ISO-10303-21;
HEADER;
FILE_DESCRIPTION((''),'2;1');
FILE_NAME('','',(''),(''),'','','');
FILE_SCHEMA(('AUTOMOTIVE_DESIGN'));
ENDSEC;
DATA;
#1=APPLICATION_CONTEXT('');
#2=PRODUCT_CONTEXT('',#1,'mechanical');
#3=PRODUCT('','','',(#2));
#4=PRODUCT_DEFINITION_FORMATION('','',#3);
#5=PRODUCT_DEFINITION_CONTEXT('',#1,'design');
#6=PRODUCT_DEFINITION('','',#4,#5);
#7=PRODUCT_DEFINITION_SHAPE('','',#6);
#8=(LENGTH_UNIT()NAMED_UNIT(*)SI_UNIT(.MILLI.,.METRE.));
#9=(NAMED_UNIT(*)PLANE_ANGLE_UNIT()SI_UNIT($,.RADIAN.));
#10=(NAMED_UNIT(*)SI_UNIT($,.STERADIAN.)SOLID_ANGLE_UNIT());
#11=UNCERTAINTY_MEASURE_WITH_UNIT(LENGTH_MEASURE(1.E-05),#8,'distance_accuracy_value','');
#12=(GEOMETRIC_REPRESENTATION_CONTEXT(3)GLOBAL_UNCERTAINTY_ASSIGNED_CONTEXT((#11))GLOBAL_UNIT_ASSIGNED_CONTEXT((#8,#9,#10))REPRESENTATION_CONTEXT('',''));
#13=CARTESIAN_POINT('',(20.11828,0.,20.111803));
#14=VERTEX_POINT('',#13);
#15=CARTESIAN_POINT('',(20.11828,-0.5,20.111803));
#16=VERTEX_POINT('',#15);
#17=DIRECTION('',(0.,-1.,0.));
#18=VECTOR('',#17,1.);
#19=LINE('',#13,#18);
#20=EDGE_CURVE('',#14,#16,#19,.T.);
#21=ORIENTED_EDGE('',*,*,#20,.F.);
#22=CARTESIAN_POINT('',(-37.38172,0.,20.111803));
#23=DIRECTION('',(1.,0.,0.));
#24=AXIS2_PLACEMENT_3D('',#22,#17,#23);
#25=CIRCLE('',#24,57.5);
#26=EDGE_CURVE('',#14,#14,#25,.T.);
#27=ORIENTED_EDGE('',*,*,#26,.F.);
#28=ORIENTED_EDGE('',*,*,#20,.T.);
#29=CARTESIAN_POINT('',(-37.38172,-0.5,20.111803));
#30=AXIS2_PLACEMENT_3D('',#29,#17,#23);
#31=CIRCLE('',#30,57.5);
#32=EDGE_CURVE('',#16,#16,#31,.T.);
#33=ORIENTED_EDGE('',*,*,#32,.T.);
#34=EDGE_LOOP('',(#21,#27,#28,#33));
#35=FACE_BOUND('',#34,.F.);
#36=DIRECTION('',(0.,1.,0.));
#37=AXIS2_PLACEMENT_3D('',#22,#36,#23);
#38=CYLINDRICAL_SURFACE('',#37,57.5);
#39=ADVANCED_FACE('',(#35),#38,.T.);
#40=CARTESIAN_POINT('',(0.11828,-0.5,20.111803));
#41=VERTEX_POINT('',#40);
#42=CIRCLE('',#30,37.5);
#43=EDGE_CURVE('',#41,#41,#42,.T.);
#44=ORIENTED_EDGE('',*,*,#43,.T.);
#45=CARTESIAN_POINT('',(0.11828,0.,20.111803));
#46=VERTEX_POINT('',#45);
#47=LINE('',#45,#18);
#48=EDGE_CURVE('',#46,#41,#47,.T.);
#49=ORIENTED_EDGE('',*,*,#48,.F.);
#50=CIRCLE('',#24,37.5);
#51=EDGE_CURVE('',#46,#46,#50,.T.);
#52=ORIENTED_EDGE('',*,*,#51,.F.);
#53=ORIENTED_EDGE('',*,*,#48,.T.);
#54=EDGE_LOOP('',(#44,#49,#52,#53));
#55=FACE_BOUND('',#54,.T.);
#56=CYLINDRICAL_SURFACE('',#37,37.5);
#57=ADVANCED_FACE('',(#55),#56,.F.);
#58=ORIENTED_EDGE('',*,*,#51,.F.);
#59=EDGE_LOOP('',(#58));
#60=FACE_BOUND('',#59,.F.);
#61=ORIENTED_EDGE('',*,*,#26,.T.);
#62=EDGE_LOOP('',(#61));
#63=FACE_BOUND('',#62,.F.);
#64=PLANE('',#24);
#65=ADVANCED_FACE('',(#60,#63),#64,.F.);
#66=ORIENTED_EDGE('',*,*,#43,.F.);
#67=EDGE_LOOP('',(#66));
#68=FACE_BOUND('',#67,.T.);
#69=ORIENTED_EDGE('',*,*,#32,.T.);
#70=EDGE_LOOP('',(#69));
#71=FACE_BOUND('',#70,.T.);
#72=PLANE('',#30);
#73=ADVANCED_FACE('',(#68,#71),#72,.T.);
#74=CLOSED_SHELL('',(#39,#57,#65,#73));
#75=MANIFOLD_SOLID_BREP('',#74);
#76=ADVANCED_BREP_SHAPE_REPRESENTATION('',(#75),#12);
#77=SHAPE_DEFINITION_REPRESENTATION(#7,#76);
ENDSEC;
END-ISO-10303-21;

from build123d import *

# Parameters (mm, degrees)
F0_R     = 57.5
F0_R_2   = 37.5
F1_DEPTH = 0.5


with BuildPart() as f1:
    # F0 (on Front) → F1 (new body)
    with BuildSketch(Plane.XZ):
        with Locations((-37.38172, 20.111803)):
            Circle(F0_R)
        with Locations((-37.38172, 20.111803)):
            Circle(F0_R_2, mode=Mode.SUBTRACT)
    extrude(amount=F1_DEPTH)


solid = f1.part
